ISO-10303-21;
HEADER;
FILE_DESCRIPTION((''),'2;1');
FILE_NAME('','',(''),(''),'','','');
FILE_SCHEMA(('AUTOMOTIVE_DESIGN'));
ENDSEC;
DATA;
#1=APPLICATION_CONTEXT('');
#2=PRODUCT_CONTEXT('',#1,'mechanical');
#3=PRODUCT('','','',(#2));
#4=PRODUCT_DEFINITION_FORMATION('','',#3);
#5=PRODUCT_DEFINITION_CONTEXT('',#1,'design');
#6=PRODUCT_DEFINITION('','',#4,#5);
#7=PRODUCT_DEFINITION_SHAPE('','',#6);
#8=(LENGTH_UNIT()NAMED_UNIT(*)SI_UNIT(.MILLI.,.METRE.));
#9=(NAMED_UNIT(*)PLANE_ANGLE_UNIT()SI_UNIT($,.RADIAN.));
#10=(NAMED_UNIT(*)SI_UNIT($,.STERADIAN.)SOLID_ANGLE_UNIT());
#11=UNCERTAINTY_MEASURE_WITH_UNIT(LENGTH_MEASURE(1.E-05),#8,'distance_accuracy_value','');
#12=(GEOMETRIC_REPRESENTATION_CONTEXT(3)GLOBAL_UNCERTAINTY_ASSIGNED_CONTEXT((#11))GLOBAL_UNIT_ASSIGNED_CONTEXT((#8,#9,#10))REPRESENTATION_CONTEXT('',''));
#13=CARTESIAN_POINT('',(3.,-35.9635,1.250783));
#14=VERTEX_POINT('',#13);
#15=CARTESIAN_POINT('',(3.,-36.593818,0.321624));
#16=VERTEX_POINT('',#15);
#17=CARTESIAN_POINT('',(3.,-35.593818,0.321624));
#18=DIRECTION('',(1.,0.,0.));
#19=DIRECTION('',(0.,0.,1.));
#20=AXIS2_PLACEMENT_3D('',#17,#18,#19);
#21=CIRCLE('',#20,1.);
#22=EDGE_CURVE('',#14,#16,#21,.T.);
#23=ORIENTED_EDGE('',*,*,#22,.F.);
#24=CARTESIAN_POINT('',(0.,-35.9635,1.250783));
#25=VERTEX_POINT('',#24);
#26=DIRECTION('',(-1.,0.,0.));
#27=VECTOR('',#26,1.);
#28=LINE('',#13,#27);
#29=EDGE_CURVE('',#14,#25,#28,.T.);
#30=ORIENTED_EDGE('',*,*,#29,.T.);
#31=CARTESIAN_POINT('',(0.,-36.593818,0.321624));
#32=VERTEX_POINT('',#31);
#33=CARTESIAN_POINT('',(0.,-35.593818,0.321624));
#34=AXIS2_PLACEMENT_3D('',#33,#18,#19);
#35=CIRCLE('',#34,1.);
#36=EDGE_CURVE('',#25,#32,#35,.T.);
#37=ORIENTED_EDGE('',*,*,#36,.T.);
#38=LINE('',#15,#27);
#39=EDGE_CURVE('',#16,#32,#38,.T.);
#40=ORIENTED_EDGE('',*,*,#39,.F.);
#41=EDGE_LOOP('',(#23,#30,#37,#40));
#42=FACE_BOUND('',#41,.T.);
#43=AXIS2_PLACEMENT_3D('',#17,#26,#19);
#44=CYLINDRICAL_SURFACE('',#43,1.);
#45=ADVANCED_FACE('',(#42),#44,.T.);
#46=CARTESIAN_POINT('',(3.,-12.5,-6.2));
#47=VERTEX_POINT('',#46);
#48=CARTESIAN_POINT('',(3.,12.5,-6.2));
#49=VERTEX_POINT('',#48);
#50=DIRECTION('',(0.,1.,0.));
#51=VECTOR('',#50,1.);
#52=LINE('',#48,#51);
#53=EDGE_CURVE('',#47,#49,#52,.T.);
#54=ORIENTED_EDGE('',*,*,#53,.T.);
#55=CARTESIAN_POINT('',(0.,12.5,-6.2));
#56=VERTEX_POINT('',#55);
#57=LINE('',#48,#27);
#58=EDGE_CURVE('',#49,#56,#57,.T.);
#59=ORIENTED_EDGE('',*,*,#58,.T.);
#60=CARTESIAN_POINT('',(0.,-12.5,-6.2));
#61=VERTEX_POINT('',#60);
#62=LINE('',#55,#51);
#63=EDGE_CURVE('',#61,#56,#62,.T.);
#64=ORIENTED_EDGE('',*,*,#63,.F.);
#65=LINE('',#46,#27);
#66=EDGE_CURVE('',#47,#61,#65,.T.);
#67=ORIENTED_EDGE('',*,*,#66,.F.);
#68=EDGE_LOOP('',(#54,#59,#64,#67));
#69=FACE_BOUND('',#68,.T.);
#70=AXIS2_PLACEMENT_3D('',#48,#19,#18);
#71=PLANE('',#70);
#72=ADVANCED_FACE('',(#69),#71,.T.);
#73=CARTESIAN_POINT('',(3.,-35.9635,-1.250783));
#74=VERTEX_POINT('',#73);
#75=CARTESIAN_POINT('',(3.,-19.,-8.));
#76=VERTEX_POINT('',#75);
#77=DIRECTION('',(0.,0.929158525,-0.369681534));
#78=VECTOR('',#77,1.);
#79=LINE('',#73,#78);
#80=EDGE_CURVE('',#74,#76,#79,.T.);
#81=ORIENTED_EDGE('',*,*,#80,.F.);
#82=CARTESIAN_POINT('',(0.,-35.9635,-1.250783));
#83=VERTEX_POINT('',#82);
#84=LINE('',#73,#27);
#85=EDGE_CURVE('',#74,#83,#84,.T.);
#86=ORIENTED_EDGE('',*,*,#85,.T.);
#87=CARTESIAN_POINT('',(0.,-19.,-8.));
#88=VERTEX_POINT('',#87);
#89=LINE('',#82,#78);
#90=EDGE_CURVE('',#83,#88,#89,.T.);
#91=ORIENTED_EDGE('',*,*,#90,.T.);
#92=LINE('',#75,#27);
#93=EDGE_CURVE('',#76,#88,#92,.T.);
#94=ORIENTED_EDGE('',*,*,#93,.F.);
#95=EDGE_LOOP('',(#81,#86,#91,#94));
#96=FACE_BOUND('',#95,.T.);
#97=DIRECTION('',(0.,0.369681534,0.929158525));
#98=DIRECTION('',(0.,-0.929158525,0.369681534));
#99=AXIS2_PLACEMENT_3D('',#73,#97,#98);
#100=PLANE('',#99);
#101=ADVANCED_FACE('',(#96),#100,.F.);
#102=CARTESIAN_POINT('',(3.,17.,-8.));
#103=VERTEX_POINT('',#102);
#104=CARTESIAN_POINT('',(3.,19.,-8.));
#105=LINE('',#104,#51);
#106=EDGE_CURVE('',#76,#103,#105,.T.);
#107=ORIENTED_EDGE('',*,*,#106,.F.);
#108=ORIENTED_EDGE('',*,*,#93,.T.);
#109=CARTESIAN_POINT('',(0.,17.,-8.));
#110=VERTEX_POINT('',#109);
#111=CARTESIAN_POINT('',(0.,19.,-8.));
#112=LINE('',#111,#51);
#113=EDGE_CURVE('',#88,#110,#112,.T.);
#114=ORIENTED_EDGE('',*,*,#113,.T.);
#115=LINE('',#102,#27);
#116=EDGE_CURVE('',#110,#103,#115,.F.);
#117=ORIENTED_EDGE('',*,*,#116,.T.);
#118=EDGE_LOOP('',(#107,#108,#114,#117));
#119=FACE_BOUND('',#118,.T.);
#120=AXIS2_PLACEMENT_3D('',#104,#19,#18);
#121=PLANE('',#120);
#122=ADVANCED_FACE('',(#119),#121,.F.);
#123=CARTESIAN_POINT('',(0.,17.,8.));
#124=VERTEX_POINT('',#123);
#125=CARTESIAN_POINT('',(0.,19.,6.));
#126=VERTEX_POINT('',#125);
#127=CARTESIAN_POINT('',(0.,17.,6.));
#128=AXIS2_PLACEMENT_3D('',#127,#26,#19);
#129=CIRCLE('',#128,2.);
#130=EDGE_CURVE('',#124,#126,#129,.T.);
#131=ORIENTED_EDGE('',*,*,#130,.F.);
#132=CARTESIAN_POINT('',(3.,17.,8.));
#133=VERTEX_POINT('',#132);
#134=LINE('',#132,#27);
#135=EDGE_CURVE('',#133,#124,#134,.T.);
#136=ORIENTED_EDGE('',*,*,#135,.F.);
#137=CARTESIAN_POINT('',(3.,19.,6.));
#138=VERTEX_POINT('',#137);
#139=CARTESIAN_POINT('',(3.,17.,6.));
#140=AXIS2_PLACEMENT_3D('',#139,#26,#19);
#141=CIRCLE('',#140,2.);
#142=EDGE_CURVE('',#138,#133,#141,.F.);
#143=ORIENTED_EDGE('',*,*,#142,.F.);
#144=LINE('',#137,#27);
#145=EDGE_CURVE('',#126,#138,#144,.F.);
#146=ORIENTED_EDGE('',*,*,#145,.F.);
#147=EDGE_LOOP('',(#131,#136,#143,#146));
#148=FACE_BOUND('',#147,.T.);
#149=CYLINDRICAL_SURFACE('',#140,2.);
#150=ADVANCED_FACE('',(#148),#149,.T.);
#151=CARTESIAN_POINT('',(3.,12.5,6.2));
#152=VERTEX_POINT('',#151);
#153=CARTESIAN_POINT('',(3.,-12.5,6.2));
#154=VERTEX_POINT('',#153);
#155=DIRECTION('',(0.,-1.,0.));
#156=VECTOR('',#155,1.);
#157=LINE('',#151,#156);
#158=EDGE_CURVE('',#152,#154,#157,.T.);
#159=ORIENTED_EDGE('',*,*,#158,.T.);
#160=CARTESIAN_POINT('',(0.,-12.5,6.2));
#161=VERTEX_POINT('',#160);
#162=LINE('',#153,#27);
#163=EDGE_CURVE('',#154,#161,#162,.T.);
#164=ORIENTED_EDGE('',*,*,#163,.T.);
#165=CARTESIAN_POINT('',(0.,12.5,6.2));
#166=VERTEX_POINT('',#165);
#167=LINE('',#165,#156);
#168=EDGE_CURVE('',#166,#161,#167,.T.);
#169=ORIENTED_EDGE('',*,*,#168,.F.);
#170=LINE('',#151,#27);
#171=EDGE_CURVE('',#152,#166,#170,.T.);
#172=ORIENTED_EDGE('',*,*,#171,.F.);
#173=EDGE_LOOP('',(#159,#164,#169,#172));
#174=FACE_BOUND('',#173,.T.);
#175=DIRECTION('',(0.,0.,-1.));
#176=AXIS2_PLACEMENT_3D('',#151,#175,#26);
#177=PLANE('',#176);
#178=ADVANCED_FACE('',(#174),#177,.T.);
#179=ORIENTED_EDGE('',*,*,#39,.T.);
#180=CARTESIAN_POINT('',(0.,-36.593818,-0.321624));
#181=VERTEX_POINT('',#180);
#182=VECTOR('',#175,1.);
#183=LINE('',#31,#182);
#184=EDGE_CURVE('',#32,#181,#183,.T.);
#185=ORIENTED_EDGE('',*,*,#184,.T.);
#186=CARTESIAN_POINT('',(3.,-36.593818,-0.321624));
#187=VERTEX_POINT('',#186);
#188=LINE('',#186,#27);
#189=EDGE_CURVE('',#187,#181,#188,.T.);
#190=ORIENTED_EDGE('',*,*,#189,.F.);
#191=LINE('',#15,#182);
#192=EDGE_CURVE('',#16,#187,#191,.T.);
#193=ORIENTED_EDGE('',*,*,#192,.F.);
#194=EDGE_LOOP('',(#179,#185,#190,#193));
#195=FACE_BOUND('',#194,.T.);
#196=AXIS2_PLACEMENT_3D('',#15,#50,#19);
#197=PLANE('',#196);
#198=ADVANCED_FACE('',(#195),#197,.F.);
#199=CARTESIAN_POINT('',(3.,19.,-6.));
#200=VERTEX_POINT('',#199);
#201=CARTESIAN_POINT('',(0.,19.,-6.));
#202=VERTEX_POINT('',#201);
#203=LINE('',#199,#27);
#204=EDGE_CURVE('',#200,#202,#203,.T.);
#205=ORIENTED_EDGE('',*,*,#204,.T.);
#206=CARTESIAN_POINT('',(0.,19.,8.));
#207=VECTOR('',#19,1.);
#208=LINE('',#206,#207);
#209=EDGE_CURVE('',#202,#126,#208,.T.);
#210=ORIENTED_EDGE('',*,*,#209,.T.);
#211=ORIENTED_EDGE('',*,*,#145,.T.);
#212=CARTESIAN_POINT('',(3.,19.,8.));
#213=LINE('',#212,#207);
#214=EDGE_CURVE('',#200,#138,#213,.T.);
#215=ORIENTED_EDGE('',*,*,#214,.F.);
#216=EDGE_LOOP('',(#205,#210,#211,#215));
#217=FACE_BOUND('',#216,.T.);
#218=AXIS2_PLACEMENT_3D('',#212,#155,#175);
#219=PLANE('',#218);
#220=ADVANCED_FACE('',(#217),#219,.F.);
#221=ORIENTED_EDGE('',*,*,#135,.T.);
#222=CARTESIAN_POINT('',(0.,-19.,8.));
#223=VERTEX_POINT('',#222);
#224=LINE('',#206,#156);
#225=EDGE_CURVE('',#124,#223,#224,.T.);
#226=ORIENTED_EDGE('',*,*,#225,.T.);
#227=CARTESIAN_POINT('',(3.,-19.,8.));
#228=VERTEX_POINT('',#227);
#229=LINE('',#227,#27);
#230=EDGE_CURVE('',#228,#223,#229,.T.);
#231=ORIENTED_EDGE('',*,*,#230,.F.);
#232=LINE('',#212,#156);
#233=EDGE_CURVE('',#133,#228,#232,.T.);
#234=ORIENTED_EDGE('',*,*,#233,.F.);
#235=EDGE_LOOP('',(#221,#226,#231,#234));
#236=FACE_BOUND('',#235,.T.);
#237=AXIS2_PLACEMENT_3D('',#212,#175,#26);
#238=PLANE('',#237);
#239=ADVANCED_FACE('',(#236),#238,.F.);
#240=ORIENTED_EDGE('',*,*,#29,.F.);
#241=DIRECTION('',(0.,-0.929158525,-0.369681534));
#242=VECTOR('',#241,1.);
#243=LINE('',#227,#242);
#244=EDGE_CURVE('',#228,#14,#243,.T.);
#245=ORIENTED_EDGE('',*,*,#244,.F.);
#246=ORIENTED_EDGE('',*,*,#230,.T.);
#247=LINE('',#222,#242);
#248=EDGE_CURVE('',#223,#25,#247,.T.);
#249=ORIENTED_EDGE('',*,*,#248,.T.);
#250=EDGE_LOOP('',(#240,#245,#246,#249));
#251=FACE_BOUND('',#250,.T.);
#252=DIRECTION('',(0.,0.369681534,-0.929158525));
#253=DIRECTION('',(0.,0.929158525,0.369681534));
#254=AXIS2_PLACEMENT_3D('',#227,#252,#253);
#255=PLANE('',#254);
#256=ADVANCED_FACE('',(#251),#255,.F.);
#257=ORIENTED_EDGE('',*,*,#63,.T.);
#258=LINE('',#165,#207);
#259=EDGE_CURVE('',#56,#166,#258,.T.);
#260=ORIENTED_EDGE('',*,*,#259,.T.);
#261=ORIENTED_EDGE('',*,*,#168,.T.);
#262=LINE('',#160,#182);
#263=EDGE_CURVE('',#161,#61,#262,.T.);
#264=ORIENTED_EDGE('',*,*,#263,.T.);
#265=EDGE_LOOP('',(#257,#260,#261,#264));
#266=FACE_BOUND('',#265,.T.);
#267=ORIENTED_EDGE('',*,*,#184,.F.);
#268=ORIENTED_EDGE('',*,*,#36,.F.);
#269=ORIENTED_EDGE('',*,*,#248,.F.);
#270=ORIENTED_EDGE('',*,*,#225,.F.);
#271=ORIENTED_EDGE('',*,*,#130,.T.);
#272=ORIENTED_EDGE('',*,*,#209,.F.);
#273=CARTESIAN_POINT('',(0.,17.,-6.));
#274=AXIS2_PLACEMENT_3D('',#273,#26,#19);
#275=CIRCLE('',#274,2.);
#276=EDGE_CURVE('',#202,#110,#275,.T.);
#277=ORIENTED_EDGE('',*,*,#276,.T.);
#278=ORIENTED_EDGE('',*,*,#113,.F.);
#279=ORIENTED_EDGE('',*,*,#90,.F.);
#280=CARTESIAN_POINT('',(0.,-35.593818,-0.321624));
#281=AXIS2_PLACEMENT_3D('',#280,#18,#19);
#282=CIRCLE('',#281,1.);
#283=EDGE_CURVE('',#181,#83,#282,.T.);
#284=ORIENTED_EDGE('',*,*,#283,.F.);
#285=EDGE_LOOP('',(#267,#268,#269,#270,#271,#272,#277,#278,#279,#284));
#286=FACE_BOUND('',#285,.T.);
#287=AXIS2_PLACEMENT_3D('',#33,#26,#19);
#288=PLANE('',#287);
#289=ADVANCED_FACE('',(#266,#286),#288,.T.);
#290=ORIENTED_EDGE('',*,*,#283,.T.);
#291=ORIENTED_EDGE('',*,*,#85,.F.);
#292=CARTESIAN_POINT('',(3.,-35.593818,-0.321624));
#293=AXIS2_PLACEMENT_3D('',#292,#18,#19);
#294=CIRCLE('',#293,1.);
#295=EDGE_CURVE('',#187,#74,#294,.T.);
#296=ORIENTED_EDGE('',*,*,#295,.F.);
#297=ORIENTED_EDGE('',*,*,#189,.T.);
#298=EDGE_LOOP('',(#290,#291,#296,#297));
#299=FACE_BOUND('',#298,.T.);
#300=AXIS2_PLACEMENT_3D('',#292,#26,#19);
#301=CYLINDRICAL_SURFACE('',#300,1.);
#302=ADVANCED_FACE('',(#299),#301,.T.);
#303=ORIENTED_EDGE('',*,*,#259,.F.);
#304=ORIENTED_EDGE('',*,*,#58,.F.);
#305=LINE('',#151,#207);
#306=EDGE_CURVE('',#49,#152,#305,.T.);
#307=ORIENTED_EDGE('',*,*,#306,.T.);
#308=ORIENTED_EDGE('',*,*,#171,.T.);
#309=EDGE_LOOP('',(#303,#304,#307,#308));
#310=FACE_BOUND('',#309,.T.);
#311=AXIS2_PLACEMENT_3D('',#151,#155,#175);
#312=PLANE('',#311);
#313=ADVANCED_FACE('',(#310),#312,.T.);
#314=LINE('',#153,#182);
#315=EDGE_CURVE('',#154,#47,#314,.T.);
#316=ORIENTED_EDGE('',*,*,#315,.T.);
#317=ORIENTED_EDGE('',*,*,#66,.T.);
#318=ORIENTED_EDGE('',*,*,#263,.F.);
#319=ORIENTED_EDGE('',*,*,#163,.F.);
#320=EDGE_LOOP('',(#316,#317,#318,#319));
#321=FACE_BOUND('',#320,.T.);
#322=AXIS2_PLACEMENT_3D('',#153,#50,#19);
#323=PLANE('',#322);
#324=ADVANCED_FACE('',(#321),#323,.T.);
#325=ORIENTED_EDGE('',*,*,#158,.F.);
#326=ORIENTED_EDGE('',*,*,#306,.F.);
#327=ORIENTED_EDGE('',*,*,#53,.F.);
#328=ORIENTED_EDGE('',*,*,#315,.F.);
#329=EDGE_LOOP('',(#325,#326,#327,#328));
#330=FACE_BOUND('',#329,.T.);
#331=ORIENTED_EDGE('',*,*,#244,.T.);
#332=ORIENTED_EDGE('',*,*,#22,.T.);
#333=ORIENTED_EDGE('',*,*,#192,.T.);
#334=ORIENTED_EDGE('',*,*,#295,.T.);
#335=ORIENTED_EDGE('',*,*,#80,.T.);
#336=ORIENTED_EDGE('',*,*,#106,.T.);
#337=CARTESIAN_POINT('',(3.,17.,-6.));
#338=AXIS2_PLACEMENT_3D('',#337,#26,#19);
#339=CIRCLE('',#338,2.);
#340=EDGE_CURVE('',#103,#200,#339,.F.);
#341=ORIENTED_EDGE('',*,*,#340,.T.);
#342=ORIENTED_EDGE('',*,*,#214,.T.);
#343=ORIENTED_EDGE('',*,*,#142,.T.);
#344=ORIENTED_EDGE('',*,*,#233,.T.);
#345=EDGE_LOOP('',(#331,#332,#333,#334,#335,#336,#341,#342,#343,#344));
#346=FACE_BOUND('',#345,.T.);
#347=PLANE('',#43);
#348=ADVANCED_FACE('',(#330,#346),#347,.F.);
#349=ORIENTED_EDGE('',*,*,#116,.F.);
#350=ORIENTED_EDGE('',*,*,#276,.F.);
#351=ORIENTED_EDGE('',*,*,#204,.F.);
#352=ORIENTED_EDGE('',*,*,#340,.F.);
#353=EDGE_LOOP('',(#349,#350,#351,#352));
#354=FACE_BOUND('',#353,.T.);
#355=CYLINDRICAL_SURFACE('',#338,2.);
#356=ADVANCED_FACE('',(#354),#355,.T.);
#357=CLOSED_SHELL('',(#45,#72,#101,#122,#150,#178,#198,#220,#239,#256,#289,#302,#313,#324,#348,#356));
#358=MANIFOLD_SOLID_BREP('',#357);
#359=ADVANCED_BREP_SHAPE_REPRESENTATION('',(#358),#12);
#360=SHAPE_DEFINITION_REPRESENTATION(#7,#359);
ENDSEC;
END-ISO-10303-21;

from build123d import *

# Parameters (mm, degrees)
ESBO_O1_W                = 12.4
ESBO_O1_H                = 25
RESSALTO_EXTRUS_O1_DEPTH = 3
FILETE1_R                = 2


with BuildPart() as part:
    # Esboço1 → Ressalto-extrusão1 (new body)
    with BuildSketch(Plane(origin=(0, 0, 0), x_dir=(0, 0, -1), z_dir=(1, 0, 0))):
        with BuildLine():
            Line((-8, 19), (8, 19))
            Line((8, 19), (8, -19))
            Line((8, -19), (1.25078293, -35.963499669))
            ThreePointArc((1.25078293, -35.963499669), (0.883014852, -36.421369201), (0.321624406, -36.593818135))
            Line((0.321624406, -36.593818135), (-0.321624406, -36.593818135))
            ThreePointArc((-0.321624406, -36.593818135), (-0.883014852, -36.421369201), (-1.25078293, -35.963499669))
            Line((-1.25078293, -35.963499669), (-8, -19))
            Line((-8, -19), (-8, 19))
        make_face()
        Rectangle(ESBO_O1_W, ESBO_O1_H, mode=Mode.SUBTRACT)
    extrude(amount=RESSALTO_EXTRUS_O1_DEPTH)

    # Filete1
    filete1_edges = [part.edges().sort_by_distance(p)[0] for p in [
        (1.5, 19, 8),
        (1.5, 19, -8),
    ]]
    fillet(filete1_edges, radius=FILETE1_R)


solid = part.part
